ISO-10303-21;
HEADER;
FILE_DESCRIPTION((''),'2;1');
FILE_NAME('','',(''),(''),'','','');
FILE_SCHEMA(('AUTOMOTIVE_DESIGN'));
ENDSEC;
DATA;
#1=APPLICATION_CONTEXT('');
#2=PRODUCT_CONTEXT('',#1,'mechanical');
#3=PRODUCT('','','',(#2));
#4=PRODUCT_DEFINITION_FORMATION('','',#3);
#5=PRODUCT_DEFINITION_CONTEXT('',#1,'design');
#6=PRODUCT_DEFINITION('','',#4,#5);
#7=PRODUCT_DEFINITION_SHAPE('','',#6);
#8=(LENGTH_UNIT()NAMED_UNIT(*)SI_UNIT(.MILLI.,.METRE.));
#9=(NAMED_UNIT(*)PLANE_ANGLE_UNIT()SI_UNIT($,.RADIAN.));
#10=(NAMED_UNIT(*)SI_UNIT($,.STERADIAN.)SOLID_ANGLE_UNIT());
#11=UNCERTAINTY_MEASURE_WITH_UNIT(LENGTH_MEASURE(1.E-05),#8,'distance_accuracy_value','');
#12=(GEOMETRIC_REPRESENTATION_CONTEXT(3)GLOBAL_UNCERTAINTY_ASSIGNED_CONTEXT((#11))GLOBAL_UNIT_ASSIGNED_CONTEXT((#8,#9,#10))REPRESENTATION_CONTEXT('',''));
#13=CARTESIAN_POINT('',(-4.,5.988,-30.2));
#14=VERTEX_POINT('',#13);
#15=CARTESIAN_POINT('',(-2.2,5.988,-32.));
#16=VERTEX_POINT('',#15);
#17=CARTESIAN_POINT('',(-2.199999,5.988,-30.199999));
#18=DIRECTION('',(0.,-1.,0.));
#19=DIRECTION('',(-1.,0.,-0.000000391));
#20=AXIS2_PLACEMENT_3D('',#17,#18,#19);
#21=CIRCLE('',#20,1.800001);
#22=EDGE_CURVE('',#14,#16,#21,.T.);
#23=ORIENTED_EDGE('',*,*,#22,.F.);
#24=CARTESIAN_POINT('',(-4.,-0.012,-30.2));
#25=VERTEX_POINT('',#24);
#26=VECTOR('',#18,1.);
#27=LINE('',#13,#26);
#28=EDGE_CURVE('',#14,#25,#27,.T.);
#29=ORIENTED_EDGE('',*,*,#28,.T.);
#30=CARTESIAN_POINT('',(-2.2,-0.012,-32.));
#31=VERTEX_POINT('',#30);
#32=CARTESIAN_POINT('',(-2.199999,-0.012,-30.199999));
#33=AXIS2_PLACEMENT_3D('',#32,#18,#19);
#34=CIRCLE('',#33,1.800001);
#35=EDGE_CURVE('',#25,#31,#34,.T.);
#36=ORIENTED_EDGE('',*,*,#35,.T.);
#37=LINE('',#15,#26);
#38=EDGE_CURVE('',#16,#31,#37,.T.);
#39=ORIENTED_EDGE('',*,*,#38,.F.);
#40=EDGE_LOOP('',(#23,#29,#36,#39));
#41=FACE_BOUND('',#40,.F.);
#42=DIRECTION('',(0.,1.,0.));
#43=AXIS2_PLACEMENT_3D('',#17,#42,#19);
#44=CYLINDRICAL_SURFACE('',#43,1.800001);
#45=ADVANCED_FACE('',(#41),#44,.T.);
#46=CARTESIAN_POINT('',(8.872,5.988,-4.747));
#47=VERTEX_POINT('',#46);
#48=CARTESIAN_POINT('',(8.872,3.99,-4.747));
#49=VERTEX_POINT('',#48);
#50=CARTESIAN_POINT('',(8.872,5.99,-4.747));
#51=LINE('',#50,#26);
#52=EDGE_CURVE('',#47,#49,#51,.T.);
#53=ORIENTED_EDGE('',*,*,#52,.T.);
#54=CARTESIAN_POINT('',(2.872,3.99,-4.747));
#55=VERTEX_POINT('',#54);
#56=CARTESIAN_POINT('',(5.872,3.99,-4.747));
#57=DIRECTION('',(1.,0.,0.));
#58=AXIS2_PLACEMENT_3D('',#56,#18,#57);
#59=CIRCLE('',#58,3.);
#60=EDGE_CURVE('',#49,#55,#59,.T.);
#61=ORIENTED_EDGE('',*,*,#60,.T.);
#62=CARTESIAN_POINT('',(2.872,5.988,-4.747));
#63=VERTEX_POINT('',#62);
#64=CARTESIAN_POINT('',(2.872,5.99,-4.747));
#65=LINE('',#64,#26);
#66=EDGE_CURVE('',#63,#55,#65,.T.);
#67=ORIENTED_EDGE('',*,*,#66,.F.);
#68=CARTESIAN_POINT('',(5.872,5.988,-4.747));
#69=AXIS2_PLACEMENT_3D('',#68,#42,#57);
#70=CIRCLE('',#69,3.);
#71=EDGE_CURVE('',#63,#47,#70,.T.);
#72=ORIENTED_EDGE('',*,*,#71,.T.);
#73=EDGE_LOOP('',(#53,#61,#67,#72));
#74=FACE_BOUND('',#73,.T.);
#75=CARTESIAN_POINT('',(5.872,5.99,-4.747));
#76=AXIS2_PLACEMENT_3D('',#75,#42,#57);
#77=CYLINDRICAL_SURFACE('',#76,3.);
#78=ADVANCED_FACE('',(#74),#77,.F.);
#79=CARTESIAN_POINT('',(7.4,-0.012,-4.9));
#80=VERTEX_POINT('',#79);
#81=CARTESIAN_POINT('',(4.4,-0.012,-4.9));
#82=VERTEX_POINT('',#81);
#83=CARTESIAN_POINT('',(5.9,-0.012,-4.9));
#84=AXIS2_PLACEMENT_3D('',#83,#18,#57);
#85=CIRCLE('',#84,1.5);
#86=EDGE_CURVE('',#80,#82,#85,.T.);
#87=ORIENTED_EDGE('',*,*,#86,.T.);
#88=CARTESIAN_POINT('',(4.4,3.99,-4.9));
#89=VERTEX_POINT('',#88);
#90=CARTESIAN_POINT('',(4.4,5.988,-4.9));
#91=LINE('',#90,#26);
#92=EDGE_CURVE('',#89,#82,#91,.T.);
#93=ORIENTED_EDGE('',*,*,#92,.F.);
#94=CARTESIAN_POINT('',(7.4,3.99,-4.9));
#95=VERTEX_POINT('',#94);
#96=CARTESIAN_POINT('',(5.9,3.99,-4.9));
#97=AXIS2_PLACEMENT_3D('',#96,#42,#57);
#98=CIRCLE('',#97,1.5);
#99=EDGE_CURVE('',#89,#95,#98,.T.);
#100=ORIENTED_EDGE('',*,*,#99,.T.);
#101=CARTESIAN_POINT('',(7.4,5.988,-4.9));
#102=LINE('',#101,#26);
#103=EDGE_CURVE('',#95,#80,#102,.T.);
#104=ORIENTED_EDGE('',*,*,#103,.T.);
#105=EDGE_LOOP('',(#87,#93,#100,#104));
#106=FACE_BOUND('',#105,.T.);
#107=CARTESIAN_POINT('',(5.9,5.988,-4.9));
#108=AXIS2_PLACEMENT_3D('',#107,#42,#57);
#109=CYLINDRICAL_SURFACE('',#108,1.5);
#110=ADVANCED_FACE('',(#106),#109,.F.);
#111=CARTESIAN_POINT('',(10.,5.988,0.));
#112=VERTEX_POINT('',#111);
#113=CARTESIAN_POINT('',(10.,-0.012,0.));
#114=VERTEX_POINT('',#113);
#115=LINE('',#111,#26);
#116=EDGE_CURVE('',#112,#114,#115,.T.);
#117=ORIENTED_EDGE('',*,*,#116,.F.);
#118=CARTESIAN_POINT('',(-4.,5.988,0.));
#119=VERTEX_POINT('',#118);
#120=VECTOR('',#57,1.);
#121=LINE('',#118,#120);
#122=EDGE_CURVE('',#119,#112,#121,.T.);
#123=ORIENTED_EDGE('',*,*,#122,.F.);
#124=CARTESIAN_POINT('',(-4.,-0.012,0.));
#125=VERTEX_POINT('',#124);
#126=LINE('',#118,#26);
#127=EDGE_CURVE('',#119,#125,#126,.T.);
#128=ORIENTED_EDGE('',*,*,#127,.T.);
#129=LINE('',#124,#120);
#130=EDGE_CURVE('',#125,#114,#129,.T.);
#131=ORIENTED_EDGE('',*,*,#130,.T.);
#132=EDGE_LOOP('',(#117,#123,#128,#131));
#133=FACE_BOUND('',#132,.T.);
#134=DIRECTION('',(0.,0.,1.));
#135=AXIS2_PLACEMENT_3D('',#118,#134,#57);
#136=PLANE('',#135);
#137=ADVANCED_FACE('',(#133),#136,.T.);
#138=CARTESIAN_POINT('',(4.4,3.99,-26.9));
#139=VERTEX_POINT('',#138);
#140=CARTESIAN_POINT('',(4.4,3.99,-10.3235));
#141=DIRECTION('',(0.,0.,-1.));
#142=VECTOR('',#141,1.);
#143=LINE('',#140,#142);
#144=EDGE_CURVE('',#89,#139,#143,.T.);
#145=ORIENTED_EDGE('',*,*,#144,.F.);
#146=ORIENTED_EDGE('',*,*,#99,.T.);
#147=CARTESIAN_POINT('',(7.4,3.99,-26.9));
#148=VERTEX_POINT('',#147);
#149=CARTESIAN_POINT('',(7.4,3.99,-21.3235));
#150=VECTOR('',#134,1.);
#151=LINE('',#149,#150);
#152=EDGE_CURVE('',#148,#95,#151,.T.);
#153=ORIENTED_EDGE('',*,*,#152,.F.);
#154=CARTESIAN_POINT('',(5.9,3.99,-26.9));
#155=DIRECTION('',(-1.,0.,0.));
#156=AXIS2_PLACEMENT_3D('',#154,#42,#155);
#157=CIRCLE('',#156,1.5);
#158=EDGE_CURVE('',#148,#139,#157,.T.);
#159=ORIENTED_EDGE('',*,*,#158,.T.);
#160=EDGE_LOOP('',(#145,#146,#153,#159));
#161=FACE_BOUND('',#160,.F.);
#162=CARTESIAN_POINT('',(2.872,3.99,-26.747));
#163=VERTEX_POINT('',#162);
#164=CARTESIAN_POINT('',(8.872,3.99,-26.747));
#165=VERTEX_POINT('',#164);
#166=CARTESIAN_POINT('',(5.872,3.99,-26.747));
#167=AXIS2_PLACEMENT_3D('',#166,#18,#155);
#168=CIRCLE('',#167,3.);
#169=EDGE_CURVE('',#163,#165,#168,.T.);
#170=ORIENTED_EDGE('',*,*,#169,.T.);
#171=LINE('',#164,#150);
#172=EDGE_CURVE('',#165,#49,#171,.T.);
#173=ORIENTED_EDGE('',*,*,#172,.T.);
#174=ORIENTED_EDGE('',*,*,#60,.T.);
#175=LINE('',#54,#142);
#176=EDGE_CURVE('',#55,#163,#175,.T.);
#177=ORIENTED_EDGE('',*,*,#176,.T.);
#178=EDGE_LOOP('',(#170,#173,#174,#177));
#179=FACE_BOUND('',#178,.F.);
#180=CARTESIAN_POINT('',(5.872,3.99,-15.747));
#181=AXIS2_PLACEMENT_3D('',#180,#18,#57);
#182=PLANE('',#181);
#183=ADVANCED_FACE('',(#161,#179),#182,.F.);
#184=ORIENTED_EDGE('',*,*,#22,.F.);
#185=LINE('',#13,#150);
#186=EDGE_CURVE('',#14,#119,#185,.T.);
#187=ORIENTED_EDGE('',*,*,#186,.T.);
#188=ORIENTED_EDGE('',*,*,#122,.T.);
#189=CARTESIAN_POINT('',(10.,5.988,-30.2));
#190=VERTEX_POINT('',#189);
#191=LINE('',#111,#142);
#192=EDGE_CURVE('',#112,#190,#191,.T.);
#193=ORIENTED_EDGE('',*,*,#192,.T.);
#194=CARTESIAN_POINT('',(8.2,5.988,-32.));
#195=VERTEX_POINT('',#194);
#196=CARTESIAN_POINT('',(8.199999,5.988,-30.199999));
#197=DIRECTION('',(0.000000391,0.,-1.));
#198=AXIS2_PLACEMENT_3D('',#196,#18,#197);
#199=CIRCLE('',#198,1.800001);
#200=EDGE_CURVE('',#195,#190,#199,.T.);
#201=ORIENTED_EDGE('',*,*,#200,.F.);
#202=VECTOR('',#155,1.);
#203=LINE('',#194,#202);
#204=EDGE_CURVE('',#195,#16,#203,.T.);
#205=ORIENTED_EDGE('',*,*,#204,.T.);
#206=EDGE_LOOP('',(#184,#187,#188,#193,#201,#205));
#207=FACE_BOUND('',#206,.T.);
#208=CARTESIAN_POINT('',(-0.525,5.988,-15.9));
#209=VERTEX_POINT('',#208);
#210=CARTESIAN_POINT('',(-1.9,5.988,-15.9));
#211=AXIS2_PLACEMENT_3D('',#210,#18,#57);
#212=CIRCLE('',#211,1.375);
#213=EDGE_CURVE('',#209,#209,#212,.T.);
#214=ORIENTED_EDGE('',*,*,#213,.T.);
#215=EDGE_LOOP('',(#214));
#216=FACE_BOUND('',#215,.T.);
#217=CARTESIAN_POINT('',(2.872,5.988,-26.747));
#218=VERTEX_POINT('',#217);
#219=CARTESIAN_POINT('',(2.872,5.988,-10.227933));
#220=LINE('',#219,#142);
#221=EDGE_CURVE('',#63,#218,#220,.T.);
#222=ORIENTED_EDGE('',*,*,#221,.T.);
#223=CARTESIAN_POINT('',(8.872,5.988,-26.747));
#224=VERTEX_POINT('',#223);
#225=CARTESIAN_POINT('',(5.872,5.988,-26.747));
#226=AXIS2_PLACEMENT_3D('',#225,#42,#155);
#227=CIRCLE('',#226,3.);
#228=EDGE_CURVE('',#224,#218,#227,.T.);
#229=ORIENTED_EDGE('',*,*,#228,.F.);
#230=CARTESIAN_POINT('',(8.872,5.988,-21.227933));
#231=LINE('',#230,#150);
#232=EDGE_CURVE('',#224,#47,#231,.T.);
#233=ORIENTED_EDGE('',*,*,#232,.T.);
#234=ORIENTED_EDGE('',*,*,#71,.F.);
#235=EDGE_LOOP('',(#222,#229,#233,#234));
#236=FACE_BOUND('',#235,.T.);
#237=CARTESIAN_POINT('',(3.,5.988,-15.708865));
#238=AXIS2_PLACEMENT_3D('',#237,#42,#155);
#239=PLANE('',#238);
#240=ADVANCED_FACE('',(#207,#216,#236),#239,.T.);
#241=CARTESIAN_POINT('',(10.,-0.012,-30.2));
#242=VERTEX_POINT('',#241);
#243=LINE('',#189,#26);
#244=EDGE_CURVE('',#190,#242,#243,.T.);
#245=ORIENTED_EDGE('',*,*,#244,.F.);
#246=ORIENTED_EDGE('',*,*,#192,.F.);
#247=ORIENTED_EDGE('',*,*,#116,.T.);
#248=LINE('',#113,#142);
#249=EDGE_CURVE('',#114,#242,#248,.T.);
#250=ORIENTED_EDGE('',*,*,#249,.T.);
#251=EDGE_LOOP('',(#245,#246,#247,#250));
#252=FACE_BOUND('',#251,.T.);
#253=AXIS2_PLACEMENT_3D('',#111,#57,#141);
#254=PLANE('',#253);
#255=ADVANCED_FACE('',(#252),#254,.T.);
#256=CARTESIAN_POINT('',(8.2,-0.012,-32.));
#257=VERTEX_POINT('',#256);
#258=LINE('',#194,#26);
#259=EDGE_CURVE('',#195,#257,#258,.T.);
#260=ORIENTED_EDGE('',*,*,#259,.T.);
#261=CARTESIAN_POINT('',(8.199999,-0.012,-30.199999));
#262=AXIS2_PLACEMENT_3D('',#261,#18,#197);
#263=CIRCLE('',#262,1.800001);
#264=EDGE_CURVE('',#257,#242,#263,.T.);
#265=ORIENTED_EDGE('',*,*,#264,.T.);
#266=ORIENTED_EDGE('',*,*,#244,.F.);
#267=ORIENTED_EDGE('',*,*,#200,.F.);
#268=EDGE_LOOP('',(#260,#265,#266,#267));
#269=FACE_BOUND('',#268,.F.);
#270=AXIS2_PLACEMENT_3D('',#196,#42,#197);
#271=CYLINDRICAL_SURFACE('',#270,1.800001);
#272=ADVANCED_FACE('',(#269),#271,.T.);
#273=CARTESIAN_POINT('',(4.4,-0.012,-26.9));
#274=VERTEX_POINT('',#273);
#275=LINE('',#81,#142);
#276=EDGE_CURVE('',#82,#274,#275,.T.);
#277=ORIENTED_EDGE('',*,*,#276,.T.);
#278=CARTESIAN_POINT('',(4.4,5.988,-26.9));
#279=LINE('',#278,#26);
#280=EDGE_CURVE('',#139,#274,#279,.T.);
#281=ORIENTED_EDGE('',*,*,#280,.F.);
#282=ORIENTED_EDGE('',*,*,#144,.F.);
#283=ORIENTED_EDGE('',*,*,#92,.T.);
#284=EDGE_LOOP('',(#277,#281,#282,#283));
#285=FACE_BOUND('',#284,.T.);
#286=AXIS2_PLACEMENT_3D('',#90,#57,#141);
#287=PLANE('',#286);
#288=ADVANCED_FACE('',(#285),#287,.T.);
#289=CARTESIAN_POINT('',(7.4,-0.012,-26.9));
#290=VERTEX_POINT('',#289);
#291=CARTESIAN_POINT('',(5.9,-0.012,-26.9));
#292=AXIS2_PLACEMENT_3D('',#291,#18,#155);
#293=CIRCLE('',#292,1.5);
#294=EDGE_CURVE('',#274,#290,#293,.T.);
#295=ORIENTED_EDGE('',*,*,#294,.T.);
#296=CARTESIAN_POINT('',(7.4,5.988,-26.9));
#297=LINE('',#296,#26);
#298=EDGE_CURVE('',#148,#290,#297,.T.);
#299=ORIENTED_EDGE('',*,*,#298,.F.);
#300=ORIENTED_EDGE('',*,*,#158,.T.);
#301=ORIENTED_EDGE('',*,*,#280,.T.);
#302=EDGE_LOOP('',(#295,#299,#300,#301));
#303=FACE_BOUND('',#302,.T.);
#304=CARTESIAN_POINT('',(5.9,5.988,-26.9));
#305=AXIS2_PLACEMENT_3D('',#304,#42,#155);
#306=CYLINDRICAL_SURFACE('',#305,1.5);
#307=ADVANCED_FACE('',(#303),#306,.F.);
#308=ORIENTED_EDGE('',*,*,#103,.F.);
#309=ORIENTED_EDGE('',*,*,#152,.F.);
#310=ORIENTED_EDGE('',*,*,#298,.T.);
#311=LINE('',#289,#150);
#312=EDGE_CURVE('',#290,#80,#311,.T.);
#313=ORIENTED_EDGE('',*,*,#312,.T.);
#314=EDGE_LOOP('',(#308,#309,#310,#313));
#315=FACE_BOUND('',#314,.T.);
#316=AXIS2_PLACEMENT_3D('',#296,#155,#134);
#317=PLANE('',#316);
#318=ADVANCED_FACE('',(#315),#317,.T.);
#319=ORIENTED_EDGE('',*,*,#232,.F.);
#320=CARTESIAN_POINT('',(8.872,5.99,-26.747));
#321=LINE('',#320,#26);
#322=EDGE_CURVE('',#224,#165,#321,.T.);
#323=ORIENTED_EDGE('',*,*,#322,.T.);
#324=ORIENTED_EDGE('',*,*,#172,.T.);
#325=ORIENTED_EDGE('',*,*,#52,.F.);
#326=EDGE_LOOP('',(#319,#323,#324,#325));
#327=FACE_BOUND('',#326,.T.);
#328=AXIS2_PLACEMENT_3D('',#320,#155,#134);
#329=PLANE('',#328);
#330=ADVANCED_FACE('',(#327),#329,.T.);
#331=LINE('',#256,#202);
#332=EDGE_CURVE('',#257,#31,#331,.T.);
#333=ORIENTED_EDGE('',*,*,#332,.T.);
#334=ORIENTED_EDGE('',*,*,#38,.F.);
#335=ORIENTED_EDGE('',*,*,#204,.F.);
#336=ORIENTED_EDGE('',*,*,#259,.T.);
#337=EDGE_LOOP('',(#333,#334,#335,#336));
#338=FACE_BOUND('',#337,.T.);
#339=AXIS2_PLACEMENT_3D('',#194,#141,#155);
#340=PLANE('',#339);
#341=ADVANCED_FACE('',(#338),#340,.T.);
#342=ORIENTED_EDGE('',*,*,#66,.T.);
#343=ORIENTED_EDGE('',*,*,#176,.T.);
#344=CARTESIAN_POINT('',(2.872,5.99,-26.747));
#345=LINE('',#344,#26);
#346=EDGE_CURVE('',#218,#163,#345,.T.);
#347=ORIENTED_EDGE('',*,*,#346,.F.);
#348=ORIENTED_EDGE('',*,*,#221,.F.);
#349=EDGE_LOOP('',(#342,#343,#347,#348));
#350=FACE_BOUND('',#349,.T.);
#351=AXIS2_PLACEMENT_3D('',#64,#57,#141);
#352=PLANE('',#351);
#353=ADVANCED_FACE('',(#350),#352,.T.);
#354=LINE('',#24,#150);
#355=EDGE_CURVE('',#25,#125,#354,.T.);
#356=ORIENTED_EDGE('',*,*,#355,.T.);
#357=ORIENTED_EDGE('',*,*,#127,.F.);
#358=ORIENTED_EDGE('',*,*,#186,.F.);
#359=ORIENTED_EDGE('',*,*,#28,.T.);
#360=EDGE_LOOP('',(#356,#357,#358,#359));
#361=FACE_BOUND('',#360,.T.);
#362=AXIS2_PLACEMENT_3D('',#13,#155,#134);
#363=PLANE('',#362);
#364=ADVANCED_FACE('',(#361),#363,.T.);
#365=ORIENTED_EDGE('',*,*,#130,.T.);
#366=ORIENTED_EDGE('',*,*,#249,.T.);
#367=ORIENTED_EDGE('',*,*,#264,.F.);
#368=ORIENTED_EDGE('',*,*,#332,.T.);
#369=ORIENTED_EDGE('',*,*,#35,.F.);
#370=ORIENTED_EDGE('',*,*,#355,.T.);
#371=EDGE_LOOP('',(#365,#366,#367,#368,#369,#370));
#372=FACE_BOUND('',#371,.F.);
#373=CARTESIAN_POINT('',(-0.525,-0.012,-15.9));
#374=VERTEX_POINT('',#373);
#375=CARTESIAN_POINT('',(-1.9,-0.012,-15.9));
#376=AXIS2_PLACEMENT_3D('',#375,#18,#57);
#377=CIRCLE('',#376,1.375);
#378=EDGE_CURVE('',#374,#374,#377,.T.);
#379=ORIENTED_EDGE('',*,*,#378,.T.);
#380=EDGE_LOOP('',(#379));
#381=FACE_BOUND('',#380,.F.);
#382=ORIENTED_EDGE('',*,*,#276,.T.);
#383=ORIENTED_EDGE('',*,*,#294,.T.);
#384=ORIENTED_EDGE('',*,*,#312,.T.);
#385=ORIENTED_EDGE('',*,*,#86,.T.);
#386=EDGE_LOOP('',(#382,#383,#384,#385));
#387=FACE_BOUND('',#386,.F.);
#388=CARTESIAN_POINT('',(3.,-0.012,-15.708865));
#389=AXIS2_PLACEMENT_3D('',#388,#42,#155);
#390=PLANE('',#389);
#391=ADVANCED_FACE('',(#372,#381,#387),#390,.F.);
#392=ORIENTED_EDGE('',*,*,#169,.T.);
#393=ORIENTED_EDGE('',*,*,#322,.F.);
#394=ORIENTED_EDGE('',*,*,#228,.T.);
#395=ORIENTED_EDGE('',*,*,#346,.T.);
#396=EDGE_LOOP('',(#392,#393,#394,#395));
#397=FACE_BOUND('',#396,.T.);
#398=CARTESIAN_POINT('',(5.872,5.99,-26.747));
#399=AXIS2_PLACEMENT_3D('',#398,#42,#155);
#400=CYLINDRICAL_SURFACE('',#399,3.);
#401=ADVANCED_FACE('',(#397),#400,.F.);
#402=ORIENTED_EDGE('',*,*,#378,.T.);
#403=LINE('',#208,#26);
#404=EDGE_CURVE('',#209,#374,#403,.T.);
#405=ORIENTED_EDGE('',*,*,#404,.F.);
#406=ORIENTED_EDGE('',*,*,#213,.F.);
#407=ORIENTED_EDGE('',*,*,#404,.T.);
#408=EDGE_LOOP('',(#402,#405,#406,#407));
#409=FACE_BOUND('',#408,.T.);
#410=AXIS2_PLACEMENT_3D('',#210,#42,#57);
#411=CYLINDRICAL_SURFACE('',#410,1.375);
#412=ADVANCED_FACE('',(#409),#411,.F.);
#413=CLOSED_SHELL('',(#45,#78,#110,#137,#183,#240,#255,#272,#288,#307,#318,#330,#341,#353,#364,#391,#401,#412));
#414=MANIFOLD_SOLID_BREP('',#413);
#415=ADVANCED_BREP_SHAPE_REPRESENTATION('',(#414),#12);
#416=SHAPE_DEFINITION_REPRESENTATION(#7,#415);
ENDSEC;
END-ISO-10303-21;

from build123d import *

# Parameters (mm, degrees)
PAD007_DEPTH = 2
SKETCH012_R  = 1.375
PAD004_DEPTH = 6


with BuildPart() as slotscrew:
    # Sketch020 → Pad007 (new body)
    with BuildSketch(Plane.XZ):
        with BuildLine():
            ThreePointArc((8.9, 35), (5.9, 38), (2.9, 35))
            Line((2.9, 35), (2.9, 13))
            ThreePointArc((2.9, 13), (5.9, 10), (8.9, 13))
            Line((8.9, 13), (8.9, 35))
        make_face()
    extrude(amount=PAD007_DEPTH)


with BuildPart() as slotscrew_1:
    # Body009 placement: moved
    add(slotscrew.part.moved(Location((-0.028, 0.002, -39.747))))


with BuildPart() as base:
    # Sketch012 → Pad004 (new body)
    with BuildSketch(Plane.XZ):
        with BuildLine():
            Line((-4, 0), (10, 0))
            Line((10, 0), (10, -30.2))
            ThreePointArc((8.2, -32), (9.472792, -31.472792), (10, -30.2))
            Line((8.2, -32), (-2.2, -32))
            ThreePointArc((-4, -30.2), (-3.472792, -31.472792), (-2.2, -32))
            Line((-4, -30.2), (-4, 0))
        make_face()
        with Locations((-1.9, -15.9)):
            Circle(SKETCH012_R, mode=Mode.SUBTRACT)
        with BuildLine():
            ThreePointArc((4.4, -26.9), (5.9, -28.4), (7.4, -26.9))
            Line((7.4, -26.9), (7.4, -4.9))
            ThreePointArc((7.4, -4.9), (5.9, -3.4), (4.4, -4.9))
            Line((4.4, -4.9), (4.4, -26.9))
        make_face(mode=Mode.SUBTRACT)
    extrude(amount=PAD004_DEPTH)

    # Cut044: cut slotscrew
    add(slotscrew_1.part, mode=Mode.SUBTRACT)


with BuildPart() as base_1:
    # Cut044 placement: moved
    add(base.part.moved(Location((0, 5.988, 0))))


solid = base_1.part
